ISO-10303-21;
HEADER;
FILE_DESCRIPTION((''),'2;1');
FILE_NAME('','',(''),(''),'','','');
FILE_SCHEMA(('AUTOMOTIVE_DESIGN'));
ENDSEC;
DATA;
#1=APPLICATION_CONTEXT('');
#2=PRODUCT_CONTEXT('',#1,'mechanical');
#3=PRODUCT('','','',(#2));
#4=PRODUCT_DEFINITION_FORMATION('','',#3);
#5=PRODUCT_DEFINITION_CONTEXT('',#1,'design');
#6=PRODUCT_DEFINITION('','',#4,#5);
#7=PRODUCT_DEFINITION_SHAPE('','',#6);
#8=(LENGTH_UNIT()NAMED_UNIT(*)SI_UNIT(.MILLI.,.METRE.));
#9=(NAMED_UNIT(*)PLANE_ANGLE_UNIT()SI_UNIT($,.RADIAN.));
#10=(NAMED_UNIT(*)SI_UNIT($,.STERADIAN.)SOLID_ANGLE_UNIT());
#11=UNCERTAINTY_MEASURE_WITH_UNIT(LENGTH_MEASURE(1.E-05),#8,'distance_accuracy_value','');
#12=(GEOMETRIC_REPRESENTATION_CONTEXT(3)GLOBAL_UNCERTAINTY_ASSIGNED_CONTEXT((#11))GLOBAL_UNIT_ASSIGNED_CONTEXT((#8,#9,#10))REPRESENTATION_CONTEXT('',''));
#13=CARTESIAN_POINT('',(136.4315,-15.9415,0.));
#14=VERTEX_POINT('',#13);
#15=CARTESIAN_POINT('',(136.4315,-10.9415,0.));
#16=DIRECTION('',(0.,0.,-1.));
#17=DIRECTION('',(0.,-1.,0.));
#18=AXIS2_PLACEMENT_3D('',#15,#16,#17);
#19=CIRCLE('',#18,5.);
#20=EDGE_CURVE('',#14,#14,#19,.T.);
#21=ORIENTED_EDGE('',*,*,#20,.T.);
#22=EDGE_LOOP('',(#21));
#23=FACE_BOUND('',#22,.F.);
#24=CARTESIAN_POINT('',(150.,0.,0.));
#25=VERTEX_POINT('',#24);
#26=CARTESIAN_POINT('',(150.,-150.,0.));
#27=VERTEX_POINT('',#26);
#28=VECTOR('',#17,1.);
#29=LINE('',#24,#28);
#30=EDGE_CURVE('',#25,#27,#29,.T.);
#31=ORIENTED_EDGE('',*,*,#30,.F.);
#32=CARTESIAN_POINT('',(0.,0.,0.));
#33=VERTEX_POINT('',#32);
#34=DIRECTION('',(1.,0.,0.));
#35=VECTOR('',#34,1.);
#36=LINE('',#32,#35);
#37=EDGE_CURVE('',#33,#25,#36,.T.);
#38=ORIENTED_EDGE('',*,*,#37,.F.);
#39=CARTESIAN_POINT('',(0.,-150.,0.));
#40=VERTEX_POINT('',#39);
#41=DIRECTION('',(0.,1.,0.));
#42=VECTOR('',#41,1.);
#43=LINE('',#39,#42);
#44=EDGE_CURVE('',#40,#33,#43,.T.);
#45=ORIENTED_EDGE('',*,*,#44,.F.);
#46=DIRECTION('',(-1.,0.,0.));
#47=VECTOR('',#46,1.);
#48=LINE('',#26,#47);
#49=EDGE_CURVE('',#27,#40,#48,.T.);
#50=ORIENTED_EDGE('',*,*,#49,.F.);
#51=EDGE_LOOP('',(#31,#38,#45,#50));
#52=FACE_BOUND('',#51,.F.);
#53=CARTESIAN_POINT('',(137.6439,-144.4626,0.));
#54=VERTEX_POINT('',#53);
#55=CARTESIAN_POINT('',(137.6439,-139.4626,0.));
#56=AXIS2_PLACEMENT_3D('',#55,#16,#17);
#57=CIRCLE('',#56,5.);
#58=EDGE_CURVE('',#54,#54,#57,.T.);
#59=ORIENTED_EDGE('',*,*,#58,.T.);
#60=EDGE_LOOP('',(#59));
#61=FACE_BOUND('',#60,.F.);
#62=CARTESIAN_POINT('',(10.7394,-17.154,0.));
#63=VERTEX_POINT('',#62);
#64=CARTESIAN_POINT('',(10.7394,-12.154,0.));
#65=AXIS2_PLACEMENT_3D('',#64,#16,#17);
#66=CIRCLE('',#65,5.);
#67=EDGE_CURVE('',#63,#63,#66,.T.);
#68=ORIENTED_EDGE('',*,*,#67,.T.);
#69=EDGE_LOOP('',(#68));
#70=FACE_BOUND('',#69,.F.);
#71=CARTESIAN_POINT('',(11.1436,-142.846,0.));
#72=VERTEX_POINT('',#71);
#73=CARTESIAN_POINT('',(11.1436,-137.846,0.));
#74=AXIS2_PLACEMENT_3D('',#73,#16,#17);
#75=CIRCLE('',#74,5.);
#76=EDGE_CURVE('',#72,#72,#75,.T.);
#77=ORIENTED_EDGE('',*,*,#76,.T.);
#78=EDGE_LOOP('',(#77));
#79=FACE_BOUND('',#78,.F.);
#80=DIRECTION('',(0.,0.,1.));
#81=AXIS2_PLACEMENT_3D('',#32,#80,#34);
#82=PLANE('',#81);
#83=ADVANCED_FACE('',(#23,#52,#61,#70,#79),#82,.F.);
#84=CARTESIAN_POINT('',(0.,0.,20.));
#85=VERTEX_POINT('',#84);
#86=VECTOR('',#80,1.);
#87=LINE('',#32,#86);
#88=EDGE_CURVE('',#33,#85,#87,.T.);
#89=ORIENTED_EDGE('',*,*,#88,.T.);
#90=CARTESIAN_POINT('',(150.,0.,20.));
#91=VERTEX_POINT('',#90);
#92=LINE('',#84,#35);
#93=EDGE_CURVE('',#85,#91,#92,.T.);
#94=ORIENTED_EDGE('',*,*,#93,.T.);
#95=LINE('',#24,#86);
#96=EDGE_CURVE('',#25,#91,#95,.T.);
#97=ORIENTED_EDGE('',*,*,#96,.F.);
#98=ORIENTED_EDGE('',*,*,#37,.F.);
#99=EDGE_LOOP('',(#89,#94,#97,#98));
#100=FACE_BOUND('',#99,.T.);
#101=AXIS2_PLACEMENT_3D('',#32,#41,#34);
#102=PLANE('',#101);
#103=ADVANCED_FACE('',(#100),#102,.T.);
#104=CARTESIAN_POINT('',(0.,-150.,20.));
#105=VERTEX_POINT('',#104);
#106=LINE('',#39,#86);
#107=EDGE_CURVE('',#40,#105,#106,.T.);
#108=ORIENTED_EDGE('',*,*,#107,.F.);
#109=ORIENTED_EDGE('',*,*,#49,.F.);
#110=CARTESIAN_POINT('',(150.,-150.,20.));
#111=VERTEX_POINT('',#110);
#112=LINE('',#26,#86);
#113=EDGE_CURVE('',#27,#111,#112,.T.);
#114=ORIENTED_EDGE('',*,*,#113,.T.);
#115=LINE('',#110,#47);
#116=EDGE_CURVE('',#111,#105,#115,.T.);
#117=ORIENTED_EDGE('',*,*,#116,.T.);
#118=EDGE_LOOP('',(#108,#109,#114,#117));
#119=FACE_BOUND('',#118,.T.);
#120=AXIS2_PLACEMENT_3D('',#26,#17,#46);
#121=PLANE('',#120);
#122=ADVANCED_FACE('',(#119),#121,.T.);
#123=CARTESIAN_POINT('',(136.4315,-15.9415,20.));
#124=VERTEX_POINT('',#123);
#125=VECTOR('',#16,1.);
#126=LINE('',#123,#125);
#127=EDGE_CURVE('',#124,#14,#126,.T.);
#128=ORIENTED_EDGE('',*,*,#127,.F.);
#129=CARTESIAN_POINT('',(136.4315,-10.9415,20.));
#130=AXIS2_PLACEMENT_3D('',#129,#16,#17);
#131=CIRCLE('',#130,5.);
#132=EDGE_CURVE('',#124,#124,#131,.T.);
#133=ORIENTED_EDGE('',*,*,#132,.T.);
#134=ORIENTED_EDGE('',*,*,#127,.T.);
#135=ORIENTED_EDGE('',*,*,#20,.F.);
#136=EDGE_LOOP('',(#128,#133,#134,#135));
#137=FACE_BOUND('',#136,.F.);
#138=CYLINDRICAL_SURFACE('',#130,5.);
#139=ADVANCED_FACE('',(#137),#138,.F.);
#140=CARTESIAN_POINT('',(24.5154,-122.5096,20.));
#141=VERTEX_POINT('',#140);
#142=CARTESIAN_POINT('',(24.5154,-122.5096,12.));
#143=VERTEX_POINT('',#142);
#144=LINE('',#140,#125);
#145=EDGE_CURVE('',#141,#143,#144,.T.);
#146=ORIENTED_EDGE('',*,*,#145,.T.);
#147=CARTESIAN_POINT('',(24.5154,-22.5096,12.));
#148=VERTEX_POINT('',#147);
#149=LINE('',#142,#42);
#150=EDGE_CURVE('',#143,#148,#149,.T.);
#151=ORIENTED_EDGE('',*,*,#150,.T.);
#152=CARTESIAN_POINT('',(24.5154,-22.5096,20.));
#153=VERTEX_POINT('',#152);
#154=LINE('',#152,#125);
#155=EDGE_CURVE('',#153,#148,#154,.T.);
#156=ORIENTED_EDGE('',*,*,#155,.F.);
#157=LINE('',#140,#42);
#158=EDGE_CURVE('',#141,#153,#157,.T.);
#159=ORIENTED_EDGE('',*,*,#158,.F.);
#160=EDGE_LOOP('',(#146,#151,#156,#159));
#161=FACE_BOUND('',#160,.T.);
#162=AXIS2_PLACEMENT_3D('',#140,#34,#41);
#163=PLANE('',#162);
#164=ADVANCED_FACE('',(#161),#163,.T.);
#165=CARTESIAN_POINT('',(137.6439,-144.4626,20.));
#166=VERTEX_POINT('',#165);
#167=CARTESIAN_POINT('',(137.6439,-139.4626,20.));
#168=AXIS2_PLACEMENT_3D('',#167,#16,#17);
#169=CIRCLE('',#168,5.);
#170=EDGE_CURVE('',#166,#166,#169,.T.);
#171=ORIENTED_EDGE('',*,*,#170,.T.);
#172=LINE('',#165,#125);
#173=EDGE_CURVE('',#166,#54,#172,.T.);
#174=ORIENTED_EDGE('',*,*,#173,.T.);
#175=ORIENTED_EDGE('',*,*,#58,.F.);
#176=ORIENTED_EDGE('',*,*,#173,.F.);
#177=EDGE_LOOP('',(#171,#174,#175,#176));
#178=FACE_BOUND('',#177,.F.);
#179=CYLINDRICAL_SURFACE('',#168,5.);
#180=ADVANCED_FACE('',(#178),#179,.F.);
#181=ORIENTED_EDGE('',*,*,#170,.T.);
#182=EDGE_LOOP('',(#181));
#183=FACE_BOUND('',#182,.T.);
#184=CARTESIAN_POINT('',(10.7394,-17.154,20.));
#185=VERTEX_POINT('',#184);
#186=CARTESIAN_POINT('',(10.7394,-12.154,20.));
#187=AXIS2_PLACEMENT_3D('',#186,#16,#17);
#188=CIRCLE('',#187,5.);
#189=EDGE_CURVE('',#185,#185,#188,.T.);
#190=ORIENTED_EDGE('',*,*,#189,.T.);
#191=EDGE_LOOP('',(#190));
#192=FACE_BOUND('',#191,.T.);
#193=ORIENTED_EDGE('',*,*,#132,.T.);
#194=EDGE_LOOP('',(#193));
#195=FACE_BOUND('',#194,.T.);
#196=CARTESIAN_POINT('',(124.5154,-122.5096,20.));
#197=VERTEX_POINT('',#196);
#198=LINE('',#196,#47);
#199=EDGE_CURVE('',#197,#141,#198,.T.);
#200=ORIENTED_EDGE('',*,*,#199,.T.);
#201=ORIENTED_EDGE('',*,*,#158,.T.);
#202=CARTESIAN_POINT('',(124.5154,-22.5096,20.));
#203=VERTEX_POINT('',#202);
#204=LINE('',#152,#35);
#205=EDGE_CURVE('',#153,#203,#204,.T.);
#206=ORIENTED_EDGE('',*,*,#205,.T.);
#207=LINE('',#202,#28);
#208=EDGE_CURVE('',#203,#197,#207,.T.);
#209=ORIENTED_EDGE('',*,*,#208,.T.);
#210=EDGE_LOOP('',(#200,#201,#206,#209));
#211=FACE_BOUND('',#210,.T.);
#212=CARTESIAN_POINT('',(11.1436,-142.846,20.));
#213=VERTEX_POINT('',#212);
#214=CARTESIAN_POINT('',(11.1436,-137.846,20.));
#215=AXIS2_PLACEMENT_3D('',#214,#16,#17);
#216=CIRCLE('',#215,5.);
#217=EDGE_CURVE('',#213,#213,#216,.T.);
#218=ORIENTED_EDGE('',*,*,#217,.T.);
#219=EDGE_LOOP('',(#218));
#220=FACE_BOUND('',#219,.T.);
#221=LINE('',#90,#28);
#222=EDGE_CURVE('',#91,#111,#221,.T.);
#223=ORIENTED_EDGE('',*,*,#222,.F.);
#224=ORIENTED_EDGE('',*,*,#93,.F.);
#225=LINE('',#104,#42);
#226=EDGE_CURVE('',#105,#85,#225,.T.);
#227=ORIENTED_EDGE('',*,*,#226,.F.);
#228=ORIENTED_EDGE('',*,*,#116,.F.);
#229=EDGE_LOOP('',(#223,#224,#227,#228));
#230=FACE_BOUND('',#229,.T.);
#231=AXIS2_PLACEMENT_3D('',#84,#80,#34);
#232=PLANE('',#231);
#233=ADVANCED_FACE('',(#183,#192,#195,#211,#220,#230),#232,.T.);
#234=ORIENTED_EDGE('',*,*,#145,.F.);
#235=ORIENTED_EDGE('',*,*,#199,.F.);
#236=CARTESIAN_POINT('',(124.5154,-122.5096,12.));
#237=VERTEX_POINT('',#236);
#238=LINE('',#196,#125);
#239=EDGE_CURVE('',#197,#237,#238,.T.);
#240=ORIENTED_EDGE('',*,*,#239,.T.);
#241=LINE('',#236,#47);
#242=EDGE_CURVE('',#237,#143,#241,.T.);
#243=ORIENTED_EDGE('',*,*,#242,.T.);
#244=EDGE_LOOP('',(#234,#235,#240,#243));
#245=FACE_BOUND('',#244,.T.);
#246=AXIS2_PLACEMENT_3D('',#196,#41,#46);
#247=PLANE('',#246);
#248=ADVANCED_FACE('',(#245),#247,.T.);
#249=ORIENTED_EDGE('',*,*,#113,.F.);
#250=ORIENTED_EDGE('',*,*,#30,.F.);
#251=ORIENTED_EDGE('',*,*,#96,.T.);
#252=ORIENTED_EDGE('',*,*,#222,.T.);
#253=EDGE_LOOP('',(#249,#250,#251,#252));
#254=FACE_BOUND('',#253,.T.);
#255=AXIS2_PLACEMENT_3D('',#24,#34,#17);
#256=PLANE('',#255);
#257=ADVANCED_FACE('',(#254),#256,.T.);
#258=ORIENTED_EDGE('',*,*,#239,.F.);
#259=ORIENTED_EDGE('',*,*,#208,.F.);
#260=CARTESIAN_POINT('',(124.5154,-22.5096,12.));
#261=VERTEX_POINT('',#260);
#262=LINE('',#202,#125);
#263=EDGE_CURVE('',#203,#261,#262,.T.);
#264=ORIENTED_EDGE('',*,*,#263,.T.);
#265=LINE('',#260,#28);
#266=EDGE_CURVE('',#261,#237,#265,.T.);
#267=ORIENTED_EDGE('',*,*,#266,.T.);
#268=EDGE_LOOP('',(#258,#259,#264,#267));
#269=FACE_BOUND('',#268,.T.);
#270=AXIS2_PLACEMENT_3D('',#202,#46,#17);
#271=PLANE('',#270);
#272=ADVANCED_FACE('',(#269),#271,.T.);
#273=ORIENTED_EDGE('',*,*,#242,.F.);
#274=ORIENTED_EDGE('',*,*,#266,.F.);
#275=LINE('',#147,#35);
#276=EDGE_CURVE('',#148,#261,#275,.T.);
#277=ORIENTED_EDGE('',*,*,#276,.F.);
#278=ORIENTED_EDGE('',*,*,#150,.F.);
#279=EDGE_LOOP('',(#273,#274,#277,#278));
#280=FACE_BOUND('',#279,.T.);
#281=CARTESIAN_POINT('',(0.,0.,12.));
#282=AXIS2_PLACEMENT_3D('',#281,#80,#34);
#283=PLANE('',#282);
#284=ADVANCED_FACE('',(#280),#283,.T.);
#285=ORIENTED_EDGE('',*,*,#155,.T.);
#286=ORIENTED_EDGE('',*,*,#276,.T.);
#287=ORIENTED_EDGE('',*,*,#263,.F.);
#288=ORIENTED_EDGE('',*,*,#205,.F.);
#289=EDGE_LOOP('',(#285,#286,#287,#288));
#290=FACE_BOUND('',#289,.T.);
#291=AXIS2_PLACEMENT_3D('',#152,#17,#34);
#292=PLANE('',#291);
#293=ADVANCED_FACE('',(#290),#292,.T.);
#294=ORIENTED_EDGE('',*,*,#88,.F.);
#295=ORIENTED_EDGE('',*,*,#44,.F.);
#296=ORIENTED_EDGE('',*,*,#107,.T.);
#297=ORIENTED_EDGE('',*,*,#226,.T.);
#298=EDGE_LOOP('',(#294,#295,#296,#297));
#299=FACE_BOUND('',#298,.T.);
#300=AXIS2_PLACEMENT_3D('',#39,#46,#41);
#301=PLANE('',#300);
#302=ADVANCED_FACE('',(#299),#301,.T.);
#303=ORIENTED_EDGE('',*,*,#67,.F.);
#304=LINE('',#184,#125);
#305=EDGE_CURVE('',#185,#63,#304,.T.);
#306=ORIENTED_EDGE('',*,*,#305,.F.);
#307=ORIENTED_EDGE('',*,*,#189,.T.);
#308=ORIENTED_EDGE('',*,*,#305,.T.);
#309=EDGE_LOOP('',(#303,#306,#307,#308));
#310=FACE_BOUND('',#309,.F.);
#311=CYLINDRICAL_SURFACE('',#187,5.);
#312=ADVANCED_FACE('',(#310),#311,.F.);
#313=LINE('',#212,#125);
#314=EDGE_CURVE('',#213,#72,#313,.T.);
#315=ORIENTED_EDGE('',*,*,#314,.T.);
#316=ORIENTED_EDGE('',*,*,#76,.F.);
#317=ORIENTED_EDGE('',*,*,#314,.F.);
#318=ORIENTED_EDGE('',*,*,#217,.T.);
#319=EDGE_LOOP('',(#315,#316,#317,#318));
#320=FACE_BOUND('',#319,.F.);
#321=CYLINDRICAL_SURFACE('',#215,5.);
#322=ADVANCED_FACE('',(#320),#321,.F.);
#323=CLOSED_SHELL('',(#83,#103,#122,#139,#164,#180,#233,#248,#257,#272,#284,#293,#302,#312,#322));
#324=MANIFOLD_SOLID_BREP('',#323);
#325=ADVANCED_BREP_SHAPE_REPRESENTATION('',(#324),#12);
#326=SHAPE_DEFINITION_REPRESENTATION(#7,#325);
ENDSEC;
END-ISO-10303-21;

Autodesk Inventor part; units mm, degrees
ref_plane "YZ Plane" through (0, 0, 0) normal (1, 0, 0) x (0, 1, 0)
ref_plane "XZ Plane" through (0, 0, 0) normal (0, 1, 0) x (-1, 0, 0)
ref_plane "XY Plane" through (0, 0, 0) normal (0, 0, 1) x (1, 0, 0)
sketch "Sketch1" plane through (0, 0, 0) normal (0, 0, 1) x (1, 0, 0)
  line L0 (0, 0) -> (150, 0)
  line L1 (150, 0) -> (150, -150)
  line L2 (150, -150) -> (0, -150)
  line L3 (0, -150) -> (0, 0)
  dimension "d0" = 150
  dimension "d1" = 150
extrude "Extrusion1" add sketch "Sketch1" along normal blind 20
sketch "Sketch2" plane through (0, 0, 20) normal (0, 0, 1) x (1, 0, 0)
  line L0 (24.5154, -22.5096) -> (124.5154, -22.5096)
  line L1 (124.5154, -22.5096) -> (124.5154, -122.5096)
  line L2 (124.5154, -122.5096) -> (24.5154, -122.5096)
  line L3 (24.5154, -122.5096) -> (24.5154, -22.5096)
  point P0 (0, 0)
  dimension "d4" = 100
  dimension "d5" = 100
extrude "Extrusion2" cut sketch "Sketch2" against normal blind 8
sketch "Sketch3" plane through (0, 0, 20) normal (0, 0, 1) x (1, 0, 0)
  point P0 (0, 0)
  point P1 (10.7394, -12.154)
  point P2 (136.4315, -10.9415)
  point P3 (137.6439, -139.4626)
  point P4 (11.1436, -137.846)
hole "Hole1" at (10.7394, -12.154, 20) at (136.4315, -10.9415, 20) at (137.6439, -139.4626, 20) at (11.1436, -137.846, 20) direction (0, 0, -1) diameter 10 depth 30 tip angle 118
properties part number "carromboard15cm"
